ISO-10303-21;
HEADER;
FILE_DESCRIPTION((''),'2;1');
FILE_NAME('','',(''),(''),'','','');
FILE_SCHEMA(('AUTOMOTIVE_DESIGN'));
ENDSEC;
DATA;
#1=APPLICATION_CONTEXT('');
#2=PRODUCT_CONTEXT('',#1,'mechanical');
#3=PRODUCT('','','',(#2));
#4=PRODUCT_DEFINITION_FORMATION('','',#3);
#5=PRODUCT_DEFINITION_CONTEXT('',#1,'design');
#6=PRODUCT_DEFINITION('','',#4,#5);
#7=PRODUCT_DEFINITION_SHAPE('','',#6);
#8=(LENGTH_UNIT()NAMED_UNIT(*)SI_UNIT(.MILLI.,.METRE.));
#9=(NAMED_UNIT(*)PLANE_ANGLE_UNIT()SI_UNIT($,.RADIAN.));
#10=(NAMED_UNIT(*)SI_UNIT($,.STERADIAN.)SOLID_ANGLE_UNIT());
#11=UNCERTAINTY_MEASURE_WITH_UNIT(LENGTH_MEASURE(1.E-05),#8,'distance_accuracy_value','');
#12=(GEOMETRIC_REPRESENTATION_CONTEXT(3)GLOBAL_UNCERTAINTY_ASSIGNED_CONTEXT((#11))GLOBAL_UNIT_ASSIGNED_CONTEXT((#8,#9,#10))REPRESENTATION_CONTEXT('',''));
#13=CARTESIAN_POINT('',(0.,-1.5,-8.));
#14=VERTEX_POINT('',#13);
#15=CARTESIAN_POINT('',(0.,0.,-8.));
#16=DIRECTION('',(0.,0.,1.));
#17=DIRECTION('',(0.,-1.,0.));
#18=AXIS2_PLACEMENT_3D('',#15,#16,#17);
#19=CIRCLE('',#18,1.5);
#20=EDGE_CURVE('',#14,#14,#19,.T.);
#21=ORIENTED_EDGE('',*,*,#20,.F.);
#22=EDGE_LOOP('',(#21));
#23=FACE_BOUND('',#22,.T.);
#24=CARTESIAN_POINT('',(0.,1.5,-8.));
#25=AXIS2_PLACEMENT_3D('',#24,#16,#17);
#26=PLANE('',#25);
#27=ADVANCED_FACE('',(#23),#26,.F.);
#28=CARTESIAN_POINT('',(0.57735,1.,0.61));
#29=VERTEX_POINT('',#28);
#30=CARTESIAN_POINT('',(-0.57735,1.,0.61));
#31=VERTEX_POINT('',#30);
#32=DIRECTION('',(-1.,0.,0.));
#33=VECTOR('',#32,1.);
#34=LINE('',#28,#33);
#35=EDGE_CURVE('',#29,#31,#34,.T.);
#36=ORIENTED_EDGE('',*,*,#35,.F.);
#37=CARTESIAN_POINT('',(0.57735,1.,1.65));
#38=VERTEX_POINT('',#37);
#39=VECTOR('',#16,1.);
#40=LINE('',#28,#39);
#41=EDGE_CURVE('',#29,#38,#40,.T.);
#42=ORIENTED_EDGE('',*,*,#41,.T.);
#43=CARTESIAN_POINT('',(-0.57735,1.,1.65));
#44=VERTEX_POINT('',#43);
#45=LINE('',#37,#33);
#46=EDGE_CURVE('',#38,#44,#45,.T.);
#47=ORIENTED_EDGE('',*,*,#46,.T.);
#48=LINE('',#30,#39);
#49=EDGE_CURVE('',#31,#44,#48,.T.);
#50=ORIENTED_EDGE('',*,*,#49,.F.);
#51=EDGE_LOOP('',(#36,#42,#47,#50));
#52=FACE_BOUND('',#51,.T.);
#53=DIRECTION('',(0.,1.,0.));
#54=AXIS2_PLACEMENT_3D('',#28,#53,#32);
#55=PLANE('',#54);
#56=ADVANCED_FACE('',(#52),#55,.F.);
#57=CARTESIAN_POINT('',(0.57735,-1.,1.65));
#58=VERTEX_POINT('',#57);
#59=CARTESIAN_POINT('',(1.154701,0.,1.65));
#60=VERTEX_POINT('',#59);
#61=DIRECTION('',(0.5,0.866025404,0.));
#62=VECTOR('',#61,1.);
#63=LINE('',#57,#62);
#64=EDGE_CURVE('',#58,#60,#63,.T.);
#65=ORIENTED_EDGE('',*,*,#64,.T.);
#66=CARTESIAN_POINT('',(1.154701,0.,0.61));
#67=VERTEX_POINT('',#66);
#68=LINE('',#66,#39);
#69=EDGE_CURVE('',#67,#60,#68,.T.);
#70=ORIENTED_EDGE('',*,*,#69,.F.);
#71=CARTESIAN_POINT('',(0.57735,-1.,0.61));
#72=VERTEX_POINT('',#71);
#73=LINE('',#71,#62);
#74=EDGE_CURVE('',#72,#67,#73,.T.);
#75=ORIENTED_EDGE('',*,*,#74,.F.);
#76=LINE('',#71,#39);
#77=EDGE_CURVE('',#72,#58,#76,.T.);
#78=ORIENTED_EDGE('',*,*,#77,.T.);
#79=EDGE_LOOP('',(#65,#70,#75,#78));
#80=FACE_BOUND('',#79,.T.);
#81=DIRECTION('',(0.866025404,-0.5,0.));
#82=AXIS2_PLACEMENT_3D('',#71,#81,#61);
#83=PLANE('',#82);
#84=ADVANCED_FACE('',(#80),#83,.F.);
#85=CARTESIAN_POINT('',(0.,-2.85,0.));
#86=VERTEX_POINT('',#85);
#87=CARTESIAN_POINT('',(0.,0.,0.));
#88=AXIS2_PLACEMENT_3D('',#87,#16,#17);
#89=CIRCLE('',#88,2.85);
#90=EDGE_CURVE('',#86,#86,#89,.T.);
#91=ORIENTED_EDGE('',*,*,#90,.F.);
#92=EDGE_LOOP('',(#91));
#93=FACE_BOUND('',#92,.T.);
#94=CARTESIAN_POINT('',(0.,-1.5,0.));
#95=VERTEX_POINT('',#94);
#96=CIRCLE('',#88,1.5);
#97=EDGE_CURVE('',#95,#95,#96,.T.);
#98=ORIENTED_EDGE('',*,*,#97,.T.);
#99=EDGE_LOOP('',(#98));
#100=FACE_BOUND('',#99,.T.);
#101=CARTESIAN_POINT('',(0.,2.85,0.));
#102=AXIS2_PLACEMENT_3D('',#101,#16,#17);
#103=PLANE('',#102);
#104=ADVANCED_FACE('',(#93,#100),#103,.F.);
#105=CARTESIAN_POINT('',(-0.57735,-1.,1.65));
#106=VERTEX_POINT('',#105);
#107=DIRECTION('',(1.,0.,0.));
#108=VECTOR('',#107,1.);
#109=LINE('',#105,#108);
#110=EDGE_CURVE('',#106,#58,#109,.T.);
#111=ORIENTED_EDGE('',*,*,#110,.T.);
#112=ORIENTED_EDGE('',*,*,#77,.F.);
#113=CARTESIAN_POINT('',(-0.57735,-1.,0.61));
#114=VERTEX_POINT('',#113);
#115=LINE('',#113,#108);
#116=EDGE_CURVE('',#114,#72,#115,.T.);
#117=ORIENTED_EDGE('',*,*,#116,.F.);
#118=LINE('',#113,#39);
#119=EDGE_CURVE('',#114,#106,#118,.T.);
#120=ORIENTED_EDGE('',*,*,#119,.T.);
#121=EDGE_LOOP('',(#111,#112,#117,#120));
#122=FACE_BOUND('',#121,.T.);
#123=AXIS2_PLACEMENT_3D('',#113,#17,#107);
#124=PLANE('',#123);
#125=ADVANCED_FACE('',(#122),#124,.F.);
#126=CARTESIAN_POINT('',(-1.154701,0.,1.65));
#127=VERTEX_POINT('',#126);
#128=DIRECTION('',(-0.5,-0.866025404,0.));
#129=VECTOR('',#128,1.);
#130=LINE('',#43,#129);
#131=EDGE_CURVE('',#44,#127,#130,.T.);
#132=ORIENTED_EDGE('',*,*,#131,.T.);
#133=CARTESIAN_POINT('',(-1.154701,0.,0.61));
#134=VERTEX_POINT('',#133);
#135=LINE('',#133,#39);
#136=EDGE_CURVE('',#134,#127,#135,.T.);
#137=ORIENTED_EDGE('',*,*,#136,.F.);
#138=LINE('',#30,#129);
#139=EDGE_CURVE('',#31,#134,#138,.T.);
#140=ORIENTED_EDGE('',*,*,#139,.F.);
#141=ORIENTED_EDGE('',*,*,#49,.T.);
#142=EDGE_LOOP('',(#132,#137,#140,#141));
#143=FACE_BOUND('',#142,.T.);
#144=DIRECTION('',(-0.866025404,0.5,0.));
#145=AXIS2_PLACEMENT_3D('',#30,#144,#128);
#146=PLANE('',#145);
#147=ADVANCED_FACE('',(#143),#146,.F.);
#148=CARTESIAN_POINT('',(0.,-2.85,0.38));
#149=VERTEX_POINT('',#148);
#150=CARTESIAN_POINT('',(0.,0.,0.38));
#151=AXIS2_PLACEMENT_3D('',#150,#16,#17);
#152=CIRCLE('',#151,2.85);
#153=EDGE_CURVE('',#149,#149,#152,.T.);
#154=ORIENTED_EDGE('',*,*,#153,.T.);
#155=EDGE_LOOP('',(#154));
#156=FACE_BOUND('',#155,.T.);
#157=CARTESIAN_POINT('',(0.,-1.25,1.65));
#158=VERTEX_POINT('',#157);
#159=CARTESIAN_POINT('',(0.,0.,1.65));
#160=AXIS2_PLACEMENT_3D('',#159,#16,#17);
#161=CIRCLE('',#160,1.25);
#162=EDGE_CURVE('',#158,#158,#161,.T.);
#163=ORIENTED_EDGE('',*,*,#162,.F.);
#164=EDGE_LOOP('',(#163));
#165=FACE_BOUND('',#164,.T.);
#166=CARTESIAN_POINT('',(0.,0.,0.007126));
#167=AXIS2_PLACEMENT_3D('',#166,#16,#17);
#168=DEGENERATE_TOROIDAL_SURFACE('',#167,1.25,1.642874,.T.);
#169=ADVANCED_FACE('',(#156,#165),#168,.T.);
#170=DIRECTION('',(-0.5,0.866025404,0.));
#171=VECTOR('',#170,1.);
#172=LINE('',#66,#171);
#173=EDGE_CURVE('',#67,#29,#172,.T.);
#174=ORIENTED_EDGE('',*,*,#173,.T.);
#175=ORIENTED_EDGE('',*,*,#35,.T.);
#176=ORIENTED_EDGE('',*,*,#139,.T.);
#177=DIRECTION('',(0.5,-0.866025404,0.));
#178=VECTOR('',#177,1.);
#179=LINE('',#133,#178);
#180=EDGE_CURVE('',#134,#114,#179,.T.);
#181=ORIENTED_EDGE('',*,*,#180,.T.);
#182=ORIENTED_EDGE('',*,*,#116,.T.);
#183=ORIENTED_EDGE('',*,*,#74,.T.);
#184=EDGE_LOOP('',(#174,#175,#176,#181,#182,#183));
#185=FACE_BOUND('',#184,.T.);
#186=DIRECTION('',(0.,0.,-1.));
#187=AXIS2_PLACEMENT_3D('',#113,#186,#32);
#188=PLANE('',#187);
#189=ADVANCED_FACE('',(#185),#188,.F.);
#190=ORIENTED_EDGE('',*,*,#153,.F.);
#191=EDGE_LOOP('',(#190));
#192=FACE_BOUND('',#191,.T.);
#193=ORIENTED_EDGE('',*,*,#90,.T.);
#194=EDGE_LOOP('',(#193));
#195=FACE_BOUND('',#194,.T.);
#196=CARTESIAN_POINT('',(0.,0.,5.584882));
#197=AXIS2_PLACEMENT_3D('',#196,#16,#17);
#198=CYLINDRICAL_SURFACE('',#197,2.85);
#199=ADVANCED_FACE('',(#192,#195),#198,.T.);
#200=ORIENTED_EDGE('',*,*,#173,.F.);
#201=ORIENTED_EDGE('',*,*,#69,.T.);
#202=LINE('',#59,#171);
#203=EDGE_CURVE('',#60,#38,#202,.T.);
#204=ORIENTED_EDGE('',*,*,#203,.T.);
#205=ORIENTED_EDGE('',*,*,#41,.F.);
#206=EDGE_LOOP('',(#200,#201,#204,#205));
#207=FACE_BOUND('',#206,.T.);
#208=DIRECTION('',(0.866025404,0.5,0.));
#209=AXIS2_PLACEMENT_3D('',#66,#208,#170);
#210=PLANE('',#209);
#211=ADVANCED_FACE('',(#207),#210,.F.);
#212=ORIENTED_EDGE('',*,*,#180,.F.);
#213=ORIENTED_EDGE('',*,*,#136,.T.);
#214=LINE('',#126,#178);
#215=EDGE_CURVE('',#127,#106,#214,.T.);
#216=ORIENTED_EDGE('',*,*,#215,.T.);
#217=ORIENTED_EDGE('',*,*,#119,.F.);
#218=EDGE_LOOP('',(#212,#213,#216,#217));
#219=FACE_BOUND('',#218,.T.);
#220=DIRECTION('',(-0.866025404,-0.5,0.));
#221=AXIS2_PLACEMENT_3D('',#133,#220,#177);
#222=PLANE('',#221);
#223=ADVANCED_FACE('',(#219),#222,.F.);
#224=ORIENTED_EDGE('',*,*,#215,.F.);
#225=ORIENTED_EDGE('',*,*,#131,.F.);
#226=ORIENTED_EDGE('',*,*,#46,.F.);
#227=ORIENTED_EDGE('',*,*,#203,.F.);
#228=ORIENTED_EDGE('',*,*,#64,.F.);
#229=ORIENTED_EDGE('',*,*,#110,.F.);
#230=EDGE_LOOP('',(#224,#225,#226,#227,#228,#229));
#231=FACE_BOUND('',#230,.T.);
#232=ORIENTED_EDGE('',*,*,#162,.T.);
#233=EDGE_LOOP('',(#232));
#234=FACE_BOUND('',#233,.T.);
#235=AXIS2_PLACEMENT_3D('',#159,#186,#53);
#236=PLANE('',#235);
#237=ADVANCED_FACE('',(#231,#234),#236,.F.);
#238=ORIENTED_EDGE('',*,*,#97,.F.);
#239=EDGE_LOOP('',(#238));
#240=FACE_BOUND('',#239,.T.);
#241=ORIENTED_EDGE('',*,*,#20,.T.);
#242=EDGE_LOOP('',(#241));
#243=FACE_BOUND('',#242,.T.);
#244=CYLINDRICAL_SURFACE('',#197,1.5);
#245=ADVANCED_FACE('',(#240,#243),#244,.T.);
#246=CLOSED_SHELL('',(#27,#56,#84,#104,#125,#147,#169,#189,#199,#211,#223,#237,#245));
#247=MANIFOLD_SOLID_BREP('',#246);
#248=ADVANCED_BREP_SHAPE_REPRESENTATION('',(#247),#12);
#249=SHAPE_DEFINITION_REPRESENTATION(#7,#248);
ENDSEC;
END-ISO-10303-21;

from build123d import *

# Parameters (mm, degrees)
CUT_EXTRUDE1_DEPTH = 1.04


with BuildPart() as part:
    # Sketch1 → Revolve1 (revolve)
    with BuildSketch(Plane(origin=(0, 0, 0), x_dir=(0, 0, -1), z_dir=(1, 0, 0))):
        with BuildLine():
            Line((-1.65, 0), (-1.65, 1.25))
            ThreePointArc((-1.65, 1.25), (-1.293908806, 2.271383865), (-0.38, 2.85))
            Line((-0.38, 2.85), (0, 2.85))
            Line((0, 2.85), (0, 1.5))
            Line((0, 1.5), (8, 1.5))
            Line((8, 1.5), (8, 0))
            Line((8, 0), (-1.65, 0))
        make_face()
    revolve(axis=Axis((0, 0, 5.584882278), (0, 0, -1)))

    # Sketch2 → Cut-Extrude1 (cut)
    with BuildSketch(Plane.XY.offset(1.65)):
        Polygon((0.577350269, -1), (1.154700538, 0), (0.577350269, 1), (-0.577350269, 1), (-1.154700538, 0), (-0.577350269, -1), align=None)
    extrude(amount=-CUT_EXTRUDE1_DEPTH, mode=Mode.SUBTRACT)


solid = part.part
